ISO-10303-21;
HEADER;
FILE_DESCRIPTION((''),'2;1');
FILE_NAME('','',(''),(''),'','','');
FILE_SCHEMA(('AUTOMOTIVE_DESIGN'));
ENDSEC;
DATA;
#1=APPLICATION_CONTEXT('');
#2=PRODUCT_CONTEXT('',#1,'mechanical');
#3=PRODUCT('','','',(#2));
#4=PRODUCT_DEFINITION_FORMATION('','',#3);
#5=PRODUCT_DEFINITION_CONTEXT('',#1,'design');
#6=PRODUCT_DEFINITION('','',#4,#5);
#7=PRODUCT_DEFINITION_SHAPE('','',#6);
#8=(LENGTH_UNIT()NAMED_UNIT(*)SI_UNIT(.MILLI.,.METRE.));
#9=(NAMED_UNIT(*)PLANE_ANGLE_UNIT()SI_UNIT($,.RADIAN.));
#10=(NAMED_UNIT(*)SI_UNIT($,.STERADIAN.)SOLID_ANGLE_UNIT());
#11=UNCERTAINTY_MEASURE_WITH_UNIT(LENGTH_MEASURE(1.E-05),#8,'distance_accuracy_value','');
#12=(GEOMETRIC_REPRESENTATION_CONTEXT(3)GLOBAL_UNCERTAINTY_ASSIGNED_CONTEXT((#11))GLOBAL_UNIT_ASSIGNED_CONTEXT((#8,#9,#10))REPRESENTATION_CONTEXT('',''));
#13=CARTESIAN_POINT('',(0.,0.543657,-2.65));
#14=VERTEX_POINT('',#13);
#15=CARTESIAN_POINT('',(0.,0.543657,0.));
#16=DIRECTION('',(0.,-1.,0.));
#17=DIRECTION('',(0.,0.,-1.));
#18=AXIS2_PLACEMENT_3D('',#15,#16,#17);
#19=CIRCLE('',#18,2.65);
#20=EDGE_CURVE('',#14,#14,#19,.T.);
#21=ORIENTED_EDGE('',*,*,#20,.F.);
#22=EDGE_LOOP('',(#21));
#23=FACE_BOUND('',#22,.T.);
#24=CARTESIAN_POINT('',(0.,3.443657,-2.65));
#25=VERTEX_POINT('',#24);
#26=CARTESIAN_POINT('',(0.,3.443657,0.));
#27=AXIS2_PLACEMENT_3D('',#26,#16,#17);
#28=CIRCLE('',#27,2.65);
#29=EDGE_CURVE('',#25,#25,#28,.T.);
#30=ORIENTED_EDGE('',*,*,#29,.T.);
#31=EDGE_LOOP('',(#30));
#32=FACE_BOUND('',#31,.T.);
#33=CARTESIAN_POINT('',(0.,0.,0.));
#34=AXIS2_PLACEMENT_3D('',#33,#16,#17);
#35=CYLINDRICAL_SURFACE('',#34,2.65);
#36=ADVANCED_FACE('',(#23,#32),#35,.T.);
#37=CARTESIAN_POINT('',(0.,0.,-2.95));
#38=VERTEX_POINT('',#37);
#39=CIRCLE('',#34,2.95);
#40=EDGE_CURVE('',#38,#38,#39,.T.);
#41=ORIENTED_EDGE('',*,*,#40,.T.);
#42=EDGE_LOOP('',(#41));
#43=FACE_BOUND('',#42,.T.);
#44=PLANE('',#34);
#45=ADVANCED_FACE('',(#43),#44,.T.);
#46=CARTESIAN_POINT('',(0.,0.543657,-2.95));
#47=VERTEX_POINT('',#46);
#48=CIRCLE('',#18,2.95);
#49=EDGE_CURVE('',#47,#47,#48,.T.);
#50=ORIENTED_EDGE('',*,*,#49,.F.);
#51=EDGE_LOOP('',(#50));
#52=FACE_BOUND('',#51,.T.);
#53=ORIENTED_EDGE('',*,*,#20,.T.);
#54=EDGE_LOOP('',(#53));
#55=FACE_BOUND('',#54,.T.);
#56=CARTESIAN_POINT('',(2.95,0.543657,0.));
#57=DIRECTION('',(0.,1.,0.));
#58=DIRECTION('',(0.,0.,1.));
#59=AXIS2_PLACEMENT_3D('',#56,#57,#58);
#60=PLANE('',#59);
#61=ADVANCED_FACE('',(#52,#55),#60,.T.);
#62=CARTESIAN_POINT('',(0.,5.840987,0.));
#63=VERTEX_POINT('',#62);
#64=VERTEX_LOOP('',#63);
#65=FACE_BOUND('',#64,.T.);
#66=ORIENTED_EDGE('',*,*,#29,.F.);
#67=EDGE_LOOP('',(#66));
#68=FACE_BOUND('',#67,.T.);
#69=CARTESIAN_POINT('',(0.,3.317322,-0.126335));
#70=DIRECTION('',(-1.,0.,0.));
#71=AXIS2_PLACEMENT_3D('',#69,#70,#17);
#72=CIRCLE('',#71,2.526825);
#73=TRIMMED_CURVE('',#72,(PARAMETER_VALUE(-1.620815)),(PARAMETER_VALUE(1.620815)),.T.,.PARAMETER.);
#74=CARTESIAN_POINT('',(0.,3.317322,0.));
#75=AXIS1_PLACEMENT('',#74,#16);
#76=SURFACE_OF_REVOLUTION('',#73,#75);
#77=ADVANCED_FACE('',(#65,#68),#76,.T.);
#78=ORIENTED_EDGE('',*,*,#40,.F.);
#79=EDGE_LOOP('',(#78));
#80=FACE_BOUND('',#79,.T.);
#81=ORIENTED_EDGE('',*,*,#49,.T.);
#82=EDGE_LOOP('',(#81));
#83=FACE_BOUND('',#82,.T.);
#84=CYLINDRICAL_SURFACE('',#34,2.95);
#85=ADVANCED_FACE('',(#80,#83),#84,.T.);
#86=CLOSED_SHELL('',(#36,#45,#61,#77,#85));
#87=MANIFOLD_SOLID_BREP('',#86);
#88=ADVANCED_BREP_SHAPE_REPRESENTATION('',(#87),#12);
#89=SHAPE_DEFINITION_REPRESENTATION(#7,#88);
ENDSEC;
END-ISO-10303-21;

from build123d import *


with BuildPart() as part:
    # Sketch1 → Revolve3 (revolve)
    with BuildSketch(Plane.XY, mode=Mode.PRIVATE) as revolve3_sk:
        with BuildLine():
            Line((0, 0), (0, 5.840987161))
            ThreePointArc((0, 5.840987161), (1.821503375, 5.19115495), (2.65, 3.443656799))
            Line((2.65, 3.443656799), (2.65, 0.543656799))
            Line((2.65, 0.543656799), (2.95, 0.543656799))
            Line((2.95, 0.543656799), (2.95, 0))
            Line((2.95, 0), (0, 0))
        make_face()
    revolve(revolve3_sk.sketch.rotate(Axis((0, 0, 0), (0, 1, 0)), 90), axis=Axis((0, 0, 0), (0, 1, 0)))  # turned: the seam where the file's is


solid = part.part
